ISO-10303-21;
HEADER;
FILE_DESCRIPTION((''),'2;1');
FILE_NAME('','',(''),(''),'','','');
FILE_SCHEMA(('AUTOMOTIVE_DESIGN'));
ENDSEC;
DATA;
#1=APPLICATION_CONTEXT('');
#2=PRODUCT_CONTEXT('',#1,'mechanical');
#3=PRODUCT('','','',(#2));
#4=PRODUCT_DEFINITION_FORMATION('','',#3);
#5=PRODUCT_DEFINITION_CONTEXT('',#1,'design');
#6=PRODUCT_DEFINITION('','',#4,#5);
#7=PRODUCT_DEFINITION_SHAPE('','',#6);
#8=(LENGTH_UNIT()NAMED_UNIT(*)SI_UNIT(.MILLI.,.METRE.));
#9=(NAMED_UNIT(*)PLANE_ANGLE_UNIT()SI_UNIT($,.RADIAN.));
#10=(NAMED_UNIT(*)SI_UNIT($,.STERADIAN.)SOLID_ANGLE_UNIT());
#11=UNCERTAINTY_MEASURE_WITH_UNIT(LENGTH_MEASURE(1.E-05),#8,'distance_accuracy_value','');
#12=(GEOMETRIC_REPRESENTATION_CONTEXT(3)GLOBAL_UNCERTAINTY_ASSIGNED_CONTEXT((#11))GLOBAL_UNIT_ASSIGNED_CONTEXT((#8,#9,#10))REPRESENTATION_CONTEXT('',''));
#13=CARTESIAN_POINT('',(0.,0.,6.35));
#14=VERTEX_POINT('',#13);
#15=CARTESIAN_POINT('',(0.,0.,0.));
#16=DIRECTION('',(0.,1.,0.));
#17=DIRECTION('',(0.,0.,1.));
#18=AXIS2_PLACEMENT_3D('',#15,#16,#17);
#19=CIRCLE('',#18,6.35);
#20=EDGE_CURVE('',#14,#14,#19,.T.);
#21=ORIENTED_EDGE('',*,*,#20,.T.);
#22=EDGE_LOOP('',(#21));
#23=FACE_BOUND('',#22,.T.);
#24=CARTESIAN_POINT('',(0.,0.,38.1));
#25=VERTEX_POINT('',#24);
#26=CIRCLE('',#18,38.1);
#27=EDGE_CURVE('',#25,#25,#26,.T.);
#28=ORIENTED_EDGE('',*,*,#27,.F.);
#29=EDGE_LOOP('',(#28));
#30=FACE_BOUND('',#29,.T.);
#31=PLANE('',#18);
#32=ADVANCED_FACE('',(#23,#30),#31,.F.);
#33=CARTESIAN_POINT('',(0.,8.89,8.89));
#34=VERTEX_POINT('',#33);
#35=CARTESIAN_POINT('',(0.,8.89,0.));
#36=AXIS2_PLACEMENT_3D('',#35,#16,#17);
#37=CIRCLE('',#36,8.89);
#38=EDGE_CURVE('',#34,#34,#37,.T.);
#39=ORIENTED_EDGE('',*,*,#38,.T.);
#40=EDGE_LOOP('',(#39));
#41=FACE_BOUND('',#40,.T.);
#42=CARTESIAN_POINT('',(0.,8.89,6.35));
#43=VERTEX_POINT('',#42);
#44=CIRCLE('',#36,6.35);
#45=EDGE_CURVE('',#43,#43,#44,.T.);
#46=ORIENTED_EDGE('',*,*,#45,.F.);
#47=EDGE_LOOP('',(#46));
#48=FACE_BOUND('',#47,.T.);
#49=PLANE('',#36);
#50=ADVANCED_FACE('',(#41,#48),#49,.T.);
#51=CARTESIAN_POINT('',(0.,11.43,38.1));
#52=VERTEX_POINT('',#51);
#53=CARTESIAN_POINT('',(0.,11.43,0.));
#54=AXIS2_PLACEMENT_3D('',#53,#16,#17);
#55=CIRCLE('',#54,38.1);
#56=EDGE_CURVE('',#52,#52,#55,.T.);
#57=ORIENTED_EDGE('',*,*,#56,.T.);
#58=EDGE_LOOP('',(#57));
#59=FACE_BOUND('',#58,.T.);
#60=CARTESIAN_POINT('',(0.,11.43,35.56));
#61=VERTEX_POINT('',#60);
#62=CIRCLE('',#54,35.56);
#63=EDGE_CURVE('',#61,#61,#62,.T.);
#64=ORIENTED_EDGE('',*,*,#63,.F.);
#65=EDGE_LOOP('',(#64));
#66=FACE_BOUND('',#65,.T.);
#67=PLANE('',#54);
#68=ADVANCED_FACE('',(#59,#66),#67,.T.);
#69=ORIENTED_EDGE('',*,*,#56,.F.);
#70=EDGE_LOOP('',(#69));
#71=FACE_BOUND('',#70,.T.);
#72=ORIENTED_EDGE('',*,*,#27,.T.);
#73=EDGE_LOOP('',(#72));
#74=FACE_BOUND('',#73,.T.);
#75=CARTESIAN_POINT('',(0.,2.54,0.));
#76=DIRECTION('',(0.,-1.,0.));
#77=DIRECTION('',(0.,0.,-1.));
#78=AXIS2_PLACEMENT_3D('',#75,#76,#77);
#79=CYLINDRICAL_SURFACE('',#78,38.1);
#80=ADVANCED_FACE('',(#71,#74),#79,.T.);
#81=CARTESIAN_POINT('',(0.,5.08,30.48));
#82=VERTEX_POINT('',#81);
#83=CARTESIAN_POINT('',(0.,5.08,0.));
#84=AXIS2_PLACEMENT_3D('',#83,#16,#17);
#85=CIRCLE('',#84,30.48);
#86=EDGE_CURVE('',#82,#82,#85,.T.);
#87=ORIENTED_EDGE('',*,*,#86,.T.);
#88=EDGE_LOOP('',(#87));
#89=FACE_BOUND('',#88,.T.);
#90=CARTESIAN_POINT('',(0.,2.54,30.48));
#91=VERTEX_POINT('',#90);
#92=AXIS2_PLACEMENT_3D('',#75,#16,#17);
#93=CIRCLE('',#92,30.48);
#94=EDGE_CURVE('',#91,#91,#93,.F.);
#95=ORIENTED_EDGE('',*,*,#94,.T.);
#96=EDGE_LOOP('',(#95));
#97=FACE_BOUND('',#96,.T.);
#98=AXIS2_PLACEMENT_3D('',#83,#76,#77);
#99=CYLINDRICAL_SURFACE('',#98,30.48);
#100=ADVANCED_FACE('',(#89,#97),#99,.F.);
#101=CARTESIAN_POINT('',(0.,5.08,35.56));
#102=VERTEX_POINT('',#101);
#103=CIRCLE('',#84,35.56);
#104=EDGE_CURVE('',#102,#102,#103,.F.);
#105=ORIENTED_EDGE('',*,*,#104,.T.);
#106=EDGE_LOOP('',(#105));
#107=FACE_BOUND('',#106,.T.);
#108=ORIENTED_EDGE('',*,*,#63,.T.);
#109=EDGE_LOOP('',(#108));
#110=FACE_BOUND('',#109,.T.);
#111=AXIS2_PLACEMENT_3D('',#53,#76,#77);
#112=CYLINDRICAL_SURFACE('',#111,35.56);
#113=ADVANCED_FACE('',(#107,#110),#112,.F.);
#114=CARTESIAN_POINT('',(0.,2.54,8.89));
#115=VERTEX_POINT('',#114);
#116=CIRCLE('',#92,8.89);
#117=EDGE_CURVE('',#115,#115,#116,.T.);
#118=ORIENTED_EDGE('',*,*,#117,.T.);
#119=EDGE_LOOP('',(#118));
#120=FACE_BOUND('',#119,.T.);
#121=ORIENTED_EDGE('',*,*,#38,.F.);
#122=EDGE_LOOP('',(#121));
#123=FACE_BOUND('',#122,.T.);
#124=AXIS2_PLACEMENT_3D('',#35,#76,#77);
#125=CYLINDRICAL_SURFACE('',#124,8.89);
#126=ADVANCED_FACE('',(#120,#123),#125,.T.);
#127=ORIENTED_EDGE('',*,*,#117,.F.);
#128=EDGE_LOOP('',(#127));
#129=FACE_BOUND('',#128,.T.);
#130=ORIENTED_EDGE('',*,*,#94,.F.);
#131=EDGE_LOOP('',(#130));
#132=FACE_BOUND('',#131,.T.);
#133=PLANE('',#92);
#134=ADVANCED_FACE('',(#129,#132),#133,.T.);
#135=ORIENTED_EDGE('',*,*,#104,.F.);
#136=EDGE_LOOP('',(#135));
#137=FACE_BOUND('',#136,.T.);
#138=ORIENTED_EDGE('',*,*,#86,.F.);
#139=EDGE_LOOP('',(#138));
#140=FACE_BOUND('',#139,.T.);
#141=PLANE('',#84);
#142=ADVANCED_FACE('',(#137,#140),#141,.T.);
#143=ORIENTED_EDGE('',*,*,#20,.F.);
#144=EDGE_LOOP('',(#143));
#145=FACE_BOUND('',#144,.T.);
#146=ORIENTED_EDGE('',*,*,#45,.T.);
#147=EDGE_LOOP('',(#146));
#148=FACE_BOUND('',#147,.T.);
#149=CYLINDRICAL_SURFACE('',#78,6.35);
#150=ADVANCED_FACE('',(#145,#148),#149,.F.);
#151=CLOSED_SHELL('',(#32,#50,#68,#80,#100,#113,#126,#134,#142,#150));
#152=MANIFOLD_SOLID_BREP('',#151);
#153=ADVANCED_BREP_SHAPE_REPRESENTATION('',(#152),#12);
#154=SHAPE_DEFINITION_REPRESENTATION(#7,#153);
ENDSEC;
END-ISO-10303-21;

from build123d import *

# Parameters (mm, degrees)
SKETCH1_R           = 38.1
SKETCH1_R_2         = 6.35
BOSS_EXTRUDE1_DEPTH = 2.54
SKETCH2_R           = 8.89
SKETCH2_R_2         = 6.35
BOSS_EXTRUDE2_DEPTH = 6.35
SKETCH5_R           = 38.1
SKETCH5_R_2         = 30.48
BOSS_EXTRUDE3_DEPTH = 2.54
SKETCH6_R           = 38.1
SKETCH6_R_2         = 35.56
BOSS_EXTRUDE4_DEPTH = 6.35


with BuildPart() as part:
    # Sketch1 → Boss-Extrude1 (new body)
    with BuildSketch(Plane(origin=(0, 0, 0), x_dir=(1, 0, 0), z_dir=(0, 1, 0))):
        with Locations(Location((0, 0, 0), (0, 0, 270))):
            Circle(SKETCH1_R)
        with Locations(Location((0, 0, 0), (0, 0, 270))):
            Circle(SKETCH1_R_2, mode=Mode.SUBTRACT)
    extrude(amount=BOSS_EXTRUDE1_DEPTH)

    # Sketch2 → Boss-Extrude2 (add)
    with BuildSketch(Plane(origin=(0, 2.54, 0), x_dir=(1, 0, 0), z_dir=(0, 1, 0))):
        with Locations(Location((0, 0, 0), (0, 0, 270))):
            Circle(SKETCH2_R)
        with Locations(Location((0, 0, 0), (0, 0, 270))):
            Circle(SKETCH2_R_2, mode=Mode.SUBTRACT)
    extrude(amount=BOSS_EXTRUDE2_DEPTH)

    # Sketch5 → Boss-Extrude3 (add)
    with BuildSketch(Plane(origin=(0, 2.54, 0), x_dir=(1, 0, 0), z_dir=(0, 1, 0))):
        with Locations(Location((0, 0, 0), (0, 0, 270))):
            Circle(SKETCH5_R)
        with Locations(Location((0, 0, 0), (0, 0, 270))):
            Circle(SKETCH5_R_2, mode=Mode.SUBTRACT)
    extrude(amount=BOSS_EXTRUDE3_DEPTH)

    # Sketch6 → Boss-Extrude4 (add)
    with BuildSketch(Plane(origin=(0, 5.08, 0), x_dir=(1, 0, 0), z_dir=(0, 1, 0))):
        with Locations(Location((0, 0, 0), (0, 0, 270))):
            Circle(SKETCH6_R)
        with Locations(Location((0, 0, 0), (0, 0, 270))):
            Circle(SKETCH6_R_2, mode=Mode.SUBTRACT)
    extrude(amount=BOSS_EXTRUDE4_DEPTH)


solid = part.part
